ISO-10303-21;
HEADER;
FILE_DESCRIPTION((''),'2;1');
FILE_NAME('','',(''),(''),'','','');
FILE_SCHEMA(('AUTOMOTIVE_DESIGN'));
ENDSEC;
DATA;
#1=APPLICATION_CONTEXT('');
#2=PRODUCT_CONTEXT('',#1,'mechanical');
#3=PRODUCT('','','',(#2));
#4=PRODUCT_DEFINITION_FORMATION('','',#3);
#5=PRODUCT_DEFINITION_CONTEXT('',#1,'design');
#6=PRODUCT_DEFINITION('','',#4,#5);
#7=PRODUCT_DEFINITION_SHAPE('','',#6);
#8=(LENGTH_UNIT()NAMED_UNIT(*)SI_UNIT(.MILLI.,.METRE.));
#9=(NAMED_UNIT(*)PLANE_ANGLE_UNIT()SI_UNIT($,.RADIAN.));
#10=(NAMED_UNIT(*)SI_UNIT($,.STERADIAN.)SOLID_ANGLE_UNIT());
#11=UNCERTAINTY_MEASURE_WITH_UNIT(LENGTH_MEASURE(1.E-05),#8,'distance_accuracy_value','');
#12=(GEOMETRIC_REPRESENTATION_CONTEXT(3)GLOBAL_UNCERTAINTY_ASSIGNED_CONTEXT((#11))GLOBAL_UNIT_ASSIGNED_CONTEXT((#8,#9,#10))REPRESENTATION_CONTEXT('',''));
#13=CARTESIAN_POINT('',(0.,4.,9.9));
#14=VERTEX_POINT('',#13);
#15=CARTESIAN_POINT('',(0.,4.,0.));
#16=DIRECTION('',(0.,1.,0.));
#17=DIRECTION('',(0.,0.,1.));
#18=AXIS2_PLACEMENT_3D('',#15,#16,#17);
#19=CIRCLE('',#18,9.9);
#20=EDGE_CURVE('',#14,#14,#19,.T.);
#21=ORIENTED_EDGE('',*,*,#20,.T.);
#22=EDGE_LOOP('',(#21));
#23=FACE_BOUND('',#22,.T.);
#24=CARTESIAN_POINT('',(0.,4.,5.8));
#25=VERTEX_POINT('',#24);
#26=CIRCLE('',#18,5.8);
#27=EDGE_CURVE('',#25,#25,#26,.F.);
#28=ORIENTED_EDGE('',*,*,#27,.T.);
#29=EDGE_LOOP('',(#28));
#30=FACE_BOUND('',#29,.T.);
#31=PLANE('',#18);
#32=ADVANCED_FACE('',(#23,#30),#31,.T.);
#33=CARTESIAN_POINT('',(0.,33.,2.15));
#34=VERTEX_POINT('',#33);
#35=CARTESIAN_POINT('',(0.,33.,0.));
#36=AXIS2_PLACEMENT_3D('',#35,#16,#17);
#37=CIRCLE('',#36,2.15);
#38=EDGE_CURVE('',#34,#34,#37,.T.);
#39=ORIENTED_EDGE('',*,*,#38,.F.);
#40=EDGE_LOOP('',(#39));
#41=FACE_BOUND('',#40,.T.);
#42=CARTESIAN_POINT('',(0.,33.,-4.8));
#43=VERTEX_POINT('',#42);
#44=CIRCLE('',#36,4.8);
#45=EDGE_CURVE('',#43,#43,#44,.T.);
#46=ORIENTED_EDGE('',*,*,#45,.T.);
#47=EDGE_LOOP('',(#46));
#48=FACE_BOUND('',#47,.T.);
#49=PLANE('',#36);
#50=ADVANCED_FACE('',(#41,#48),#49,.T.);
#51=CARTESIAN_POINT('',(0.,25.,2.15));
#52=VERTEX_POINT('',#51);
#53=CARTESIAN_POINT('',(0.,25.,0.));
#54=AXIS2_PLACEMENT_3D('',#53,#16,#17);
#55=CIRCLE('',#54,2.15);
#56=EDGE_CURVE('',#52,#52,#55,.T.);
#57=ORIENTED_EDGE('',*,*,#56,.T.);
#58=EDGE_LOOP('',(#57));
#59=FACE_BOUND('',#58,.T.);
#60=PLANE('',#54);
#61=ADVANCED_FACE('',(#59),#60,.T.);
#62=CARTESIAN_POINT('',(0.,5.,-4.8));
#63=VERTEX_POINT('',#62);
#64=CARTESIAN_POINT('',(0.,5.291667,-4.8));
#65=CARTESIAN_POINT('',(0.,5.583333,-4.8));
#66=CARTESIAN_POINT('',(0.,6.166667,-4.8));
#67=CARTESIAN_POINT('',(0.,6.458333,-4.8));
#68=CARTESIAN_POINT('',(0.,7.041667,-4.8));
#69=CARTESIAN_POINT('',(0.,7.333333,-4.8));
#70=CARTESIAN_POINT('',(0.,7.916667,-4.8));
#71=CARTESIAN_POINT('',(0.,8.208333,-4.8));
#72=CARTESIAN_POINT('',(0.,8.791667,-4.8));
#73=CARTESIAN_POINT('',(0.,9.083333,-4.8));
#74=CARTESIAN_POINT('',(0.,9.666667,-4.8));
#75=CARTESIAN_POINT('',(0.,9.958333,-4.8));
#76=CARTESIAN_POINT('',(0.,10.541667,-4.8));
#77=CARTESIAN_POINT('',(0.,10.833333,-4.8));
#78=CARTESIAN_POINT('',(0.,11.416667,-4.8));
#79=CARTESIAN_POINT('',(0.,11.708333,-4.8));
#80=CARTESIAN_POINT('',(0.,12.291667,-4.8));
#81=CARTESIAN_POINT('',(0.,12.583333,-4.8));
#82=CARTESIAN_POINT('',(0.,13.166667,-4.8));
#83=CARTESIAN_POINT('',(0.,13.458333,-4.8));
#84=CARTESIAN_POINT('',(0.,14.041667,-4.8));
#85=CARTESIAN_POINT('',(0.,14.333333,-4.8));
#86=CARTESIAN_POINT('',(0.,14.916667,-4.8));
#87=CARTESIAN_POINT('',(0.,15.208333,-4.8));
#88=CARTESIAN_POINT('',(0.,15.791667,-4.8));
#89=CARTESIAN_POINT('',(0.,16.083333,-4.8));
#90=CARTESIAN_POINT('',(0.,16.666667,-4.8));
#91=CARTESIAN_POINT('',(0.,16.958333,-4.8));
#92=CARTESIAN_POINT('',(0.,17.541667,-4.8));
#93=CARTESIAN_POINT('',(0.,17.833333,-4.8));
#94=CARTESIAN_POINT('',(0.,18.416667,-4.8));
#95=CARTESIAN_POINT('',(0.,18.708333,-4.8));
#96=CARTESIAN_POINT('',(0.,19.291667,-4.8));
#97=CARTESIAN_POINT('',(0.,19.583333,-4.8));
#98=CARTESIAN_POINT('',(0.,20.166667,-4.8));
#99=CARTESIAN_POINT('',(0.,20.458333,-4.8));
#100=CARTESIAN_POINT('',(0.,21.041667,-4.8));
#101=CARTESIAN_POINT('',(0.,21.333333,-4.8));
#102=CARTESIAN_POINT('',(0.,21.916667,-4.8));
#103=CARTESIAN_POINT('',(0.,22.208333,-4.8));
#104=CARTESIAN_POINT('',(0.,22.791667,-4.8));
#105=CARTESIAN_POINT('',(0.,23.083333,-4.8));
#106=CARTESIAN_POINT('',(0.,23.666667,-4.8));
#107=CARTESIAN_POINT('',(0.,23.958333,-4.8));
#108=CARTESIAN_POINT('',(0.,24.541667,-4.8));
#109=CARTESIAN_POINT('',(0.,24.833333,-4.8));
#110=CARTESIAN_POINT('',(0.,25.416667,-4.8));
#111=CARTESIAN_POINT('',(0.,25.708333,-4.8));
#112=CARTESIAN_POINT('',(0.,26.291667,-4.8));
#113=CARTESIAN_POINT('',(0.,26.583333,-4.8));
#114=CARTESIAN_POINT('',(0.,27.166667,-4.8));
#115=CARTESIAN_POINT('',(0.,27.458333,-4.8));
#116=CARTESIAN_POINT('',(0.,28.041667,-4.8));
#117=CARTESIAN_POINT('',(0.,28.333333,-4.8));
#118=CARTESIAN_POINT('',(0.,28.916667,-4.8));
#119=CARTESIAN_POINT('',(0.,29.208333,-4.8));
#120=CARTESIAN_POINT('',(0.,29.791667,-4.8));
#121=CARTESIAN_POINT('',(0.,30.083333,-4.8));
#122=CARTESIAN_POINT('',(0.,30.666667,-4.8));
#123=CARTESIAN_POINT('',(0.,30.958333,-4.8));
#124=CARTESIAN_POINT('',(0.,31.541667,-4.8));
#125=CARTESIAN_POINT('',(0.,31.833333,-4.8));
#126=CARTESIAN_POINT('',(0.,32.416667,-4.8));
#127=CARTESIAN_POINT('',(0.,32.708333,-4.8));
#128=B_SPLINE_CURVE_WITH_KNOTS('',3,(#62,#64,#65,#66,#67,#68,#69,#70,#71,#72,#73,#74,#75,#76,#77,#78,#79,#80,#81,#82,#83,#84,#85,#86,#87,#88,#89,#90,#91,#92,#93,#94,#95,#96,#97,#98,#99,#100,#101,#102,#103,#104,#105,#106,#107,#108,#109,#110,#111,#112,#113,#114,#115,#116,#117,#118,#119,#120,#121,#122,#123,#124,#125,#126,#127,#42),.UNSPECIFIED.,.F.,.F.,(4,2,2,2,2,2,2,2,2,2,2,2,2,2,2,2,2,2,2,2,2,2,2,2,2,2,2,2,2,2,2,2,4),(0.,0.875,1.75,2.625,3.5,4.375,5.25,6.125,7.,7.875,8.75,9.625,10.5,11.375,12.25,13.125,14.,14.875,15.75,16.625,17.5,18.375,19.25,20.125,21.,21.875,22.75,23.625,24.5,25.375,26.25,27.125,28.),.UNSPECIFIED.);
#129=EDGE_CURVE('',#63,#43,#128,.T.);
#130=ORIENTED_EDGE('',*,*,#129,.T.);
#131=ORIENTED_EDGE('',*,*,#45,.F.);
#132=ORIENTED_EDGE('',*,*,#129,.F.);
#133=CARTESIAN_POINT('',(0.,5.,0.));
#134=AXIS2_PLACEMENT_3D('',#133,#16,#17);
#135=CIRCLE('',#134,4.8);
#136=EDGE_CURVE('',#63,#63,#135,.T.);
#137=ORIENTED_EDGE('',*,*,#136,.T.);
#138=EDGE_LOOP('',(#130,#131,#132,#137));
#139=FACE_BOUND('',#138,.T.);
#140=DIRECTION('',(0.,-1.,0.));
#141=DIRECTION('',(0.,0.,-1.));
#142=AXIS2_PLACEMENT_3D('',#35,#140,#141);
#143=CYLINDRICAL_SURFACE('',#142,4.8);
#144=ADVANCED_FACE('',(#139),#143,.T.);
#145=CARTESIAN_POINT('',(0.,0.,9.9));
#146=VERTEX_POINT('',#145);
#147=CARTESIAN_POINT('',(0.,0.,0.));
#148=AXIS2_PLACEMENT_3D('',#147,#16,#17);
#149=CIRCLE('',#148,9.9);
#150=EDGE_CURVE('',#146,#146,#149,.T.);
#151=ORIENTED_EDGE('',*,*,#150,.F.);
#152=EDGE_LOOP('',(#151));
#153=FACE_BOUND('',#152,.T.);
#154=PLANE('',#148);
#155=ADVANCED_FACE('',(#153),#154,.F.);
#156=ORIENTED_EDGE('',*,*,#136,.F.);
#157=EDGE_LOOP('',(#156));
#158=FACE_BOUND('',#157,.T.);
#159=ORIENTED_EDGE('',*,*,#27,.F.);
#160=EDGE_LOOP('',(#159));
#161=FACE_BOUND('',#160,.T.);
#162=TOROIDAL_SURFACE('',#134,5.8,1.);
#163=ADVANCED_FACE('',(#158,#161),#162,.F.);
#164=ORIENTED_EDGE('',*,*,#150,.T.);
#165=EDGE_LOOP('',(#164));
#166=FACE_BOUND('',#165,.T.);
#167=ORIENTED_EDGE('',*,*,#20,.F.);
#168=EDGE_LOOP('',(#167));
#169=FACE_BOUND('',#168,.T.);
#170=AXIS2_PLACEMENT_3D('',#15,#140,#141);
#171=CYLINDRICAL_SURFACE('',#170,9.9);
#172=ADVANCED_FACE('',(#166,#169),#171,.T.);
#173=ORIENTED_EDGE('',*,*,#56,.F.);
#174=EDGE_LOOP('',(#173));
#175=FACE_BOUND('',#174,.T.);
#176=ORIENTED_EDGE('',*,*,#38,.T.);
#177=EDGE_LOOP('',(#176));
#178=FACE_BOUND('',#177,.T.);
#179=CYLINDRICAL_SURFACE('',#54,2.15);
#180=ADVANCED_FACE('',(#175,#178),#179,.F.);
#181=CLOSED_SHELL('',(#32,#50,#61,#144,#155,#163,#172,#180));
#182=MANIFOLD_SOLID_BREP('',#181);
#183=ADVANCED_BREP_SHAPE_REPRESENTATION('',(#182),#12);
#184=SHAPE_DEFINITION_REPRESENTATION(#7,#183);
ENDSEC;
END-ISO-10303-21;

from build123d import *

# Parameters (mm, degrees)
SKETCH1_R           = 9.9
SKETCH1_R_2         = 4.8
SKETCH1_R_3         = 2.15
BOSS_EXTRUDE1_DEPTH = 4
BOSS_EXTRUDE2_START = 4
SKETCH1_3_R         = 4.8
SKETCH1_3_R_2       = 2.15
BOSS_EXTRUDE2_DEPTH = 29
CUT_EXTRUDE1_START  = 33
SKETCH1_4_R         = 2.15
CUT_EXTRUDE1_DEPTH  = 8
FILLET1_R           = 1


with BuildPart() as part:
    # Sketch1 → Boss-Extrude1 (new body)
    with BuildSketch(Plane(origin=(0, 0, 0), x_dir=(1, 0, 0), z_dir=(0, 1, 0))):
        with Locations(Location((0, 0, 0), (0, 0, 270))):
            Circle(SKETCH1_R)
        Circle(SKETCH1_R_2, mode=Mode.SUBTRACT)
        Circle(SKETCH1_R_2)
        Circle(SKETCH1_R_3, mode=Mode.SUBTRACT)
        Circle(SKETCH1_R_3)
    extrude(amount=BOSS_EXTRUDE1_DEPTH)

    # Sketch1<3> → Boss-Extrude2 (add)
    with BuildSketch(Plane(origin=(0, 0, 0), x_dir=(1, 0, 0), z_dir=(0, 1, 0)).offset(BOSS_EXTRUDE2_START)):
        with Locations(Location((0, 0, 0), (0, 0, 90))):
            Circle(SKETCH1_3_R)
        Circle(SKETCH1_3_R_2, mode=Mode.SUBTRACT)
        Circle(SKETCH1_3_R_2)
    extrude(amount=BOSS_EXTRUDE2_DEPTH)

    # Sketch1<4> → Cut-Extrude1 (cut)
    with BuildSketch(Plane(origin=(0, 0, 0), x_dir=(1, 0, 0), z_dir=(0, 1, 0)).offset(CUT_EXTRUDE1_START)):
        with Locations(Location((0, 0, 0), (0, 0, 270))):
            Circle(SKETCH1_4_R)
    extrude(amount=-CUT_EXTRUDE1_DEPTH, mode=Mode.SUBTRACT)

    # Fillet1
    fillet1_edges = [part.edges().sort_by_distance(p)[0] for p in [
        (0, 4, 4.8),
    ]]
    fillet(fillet1_edges, radius=FILLET1_R)


solid = part.part
